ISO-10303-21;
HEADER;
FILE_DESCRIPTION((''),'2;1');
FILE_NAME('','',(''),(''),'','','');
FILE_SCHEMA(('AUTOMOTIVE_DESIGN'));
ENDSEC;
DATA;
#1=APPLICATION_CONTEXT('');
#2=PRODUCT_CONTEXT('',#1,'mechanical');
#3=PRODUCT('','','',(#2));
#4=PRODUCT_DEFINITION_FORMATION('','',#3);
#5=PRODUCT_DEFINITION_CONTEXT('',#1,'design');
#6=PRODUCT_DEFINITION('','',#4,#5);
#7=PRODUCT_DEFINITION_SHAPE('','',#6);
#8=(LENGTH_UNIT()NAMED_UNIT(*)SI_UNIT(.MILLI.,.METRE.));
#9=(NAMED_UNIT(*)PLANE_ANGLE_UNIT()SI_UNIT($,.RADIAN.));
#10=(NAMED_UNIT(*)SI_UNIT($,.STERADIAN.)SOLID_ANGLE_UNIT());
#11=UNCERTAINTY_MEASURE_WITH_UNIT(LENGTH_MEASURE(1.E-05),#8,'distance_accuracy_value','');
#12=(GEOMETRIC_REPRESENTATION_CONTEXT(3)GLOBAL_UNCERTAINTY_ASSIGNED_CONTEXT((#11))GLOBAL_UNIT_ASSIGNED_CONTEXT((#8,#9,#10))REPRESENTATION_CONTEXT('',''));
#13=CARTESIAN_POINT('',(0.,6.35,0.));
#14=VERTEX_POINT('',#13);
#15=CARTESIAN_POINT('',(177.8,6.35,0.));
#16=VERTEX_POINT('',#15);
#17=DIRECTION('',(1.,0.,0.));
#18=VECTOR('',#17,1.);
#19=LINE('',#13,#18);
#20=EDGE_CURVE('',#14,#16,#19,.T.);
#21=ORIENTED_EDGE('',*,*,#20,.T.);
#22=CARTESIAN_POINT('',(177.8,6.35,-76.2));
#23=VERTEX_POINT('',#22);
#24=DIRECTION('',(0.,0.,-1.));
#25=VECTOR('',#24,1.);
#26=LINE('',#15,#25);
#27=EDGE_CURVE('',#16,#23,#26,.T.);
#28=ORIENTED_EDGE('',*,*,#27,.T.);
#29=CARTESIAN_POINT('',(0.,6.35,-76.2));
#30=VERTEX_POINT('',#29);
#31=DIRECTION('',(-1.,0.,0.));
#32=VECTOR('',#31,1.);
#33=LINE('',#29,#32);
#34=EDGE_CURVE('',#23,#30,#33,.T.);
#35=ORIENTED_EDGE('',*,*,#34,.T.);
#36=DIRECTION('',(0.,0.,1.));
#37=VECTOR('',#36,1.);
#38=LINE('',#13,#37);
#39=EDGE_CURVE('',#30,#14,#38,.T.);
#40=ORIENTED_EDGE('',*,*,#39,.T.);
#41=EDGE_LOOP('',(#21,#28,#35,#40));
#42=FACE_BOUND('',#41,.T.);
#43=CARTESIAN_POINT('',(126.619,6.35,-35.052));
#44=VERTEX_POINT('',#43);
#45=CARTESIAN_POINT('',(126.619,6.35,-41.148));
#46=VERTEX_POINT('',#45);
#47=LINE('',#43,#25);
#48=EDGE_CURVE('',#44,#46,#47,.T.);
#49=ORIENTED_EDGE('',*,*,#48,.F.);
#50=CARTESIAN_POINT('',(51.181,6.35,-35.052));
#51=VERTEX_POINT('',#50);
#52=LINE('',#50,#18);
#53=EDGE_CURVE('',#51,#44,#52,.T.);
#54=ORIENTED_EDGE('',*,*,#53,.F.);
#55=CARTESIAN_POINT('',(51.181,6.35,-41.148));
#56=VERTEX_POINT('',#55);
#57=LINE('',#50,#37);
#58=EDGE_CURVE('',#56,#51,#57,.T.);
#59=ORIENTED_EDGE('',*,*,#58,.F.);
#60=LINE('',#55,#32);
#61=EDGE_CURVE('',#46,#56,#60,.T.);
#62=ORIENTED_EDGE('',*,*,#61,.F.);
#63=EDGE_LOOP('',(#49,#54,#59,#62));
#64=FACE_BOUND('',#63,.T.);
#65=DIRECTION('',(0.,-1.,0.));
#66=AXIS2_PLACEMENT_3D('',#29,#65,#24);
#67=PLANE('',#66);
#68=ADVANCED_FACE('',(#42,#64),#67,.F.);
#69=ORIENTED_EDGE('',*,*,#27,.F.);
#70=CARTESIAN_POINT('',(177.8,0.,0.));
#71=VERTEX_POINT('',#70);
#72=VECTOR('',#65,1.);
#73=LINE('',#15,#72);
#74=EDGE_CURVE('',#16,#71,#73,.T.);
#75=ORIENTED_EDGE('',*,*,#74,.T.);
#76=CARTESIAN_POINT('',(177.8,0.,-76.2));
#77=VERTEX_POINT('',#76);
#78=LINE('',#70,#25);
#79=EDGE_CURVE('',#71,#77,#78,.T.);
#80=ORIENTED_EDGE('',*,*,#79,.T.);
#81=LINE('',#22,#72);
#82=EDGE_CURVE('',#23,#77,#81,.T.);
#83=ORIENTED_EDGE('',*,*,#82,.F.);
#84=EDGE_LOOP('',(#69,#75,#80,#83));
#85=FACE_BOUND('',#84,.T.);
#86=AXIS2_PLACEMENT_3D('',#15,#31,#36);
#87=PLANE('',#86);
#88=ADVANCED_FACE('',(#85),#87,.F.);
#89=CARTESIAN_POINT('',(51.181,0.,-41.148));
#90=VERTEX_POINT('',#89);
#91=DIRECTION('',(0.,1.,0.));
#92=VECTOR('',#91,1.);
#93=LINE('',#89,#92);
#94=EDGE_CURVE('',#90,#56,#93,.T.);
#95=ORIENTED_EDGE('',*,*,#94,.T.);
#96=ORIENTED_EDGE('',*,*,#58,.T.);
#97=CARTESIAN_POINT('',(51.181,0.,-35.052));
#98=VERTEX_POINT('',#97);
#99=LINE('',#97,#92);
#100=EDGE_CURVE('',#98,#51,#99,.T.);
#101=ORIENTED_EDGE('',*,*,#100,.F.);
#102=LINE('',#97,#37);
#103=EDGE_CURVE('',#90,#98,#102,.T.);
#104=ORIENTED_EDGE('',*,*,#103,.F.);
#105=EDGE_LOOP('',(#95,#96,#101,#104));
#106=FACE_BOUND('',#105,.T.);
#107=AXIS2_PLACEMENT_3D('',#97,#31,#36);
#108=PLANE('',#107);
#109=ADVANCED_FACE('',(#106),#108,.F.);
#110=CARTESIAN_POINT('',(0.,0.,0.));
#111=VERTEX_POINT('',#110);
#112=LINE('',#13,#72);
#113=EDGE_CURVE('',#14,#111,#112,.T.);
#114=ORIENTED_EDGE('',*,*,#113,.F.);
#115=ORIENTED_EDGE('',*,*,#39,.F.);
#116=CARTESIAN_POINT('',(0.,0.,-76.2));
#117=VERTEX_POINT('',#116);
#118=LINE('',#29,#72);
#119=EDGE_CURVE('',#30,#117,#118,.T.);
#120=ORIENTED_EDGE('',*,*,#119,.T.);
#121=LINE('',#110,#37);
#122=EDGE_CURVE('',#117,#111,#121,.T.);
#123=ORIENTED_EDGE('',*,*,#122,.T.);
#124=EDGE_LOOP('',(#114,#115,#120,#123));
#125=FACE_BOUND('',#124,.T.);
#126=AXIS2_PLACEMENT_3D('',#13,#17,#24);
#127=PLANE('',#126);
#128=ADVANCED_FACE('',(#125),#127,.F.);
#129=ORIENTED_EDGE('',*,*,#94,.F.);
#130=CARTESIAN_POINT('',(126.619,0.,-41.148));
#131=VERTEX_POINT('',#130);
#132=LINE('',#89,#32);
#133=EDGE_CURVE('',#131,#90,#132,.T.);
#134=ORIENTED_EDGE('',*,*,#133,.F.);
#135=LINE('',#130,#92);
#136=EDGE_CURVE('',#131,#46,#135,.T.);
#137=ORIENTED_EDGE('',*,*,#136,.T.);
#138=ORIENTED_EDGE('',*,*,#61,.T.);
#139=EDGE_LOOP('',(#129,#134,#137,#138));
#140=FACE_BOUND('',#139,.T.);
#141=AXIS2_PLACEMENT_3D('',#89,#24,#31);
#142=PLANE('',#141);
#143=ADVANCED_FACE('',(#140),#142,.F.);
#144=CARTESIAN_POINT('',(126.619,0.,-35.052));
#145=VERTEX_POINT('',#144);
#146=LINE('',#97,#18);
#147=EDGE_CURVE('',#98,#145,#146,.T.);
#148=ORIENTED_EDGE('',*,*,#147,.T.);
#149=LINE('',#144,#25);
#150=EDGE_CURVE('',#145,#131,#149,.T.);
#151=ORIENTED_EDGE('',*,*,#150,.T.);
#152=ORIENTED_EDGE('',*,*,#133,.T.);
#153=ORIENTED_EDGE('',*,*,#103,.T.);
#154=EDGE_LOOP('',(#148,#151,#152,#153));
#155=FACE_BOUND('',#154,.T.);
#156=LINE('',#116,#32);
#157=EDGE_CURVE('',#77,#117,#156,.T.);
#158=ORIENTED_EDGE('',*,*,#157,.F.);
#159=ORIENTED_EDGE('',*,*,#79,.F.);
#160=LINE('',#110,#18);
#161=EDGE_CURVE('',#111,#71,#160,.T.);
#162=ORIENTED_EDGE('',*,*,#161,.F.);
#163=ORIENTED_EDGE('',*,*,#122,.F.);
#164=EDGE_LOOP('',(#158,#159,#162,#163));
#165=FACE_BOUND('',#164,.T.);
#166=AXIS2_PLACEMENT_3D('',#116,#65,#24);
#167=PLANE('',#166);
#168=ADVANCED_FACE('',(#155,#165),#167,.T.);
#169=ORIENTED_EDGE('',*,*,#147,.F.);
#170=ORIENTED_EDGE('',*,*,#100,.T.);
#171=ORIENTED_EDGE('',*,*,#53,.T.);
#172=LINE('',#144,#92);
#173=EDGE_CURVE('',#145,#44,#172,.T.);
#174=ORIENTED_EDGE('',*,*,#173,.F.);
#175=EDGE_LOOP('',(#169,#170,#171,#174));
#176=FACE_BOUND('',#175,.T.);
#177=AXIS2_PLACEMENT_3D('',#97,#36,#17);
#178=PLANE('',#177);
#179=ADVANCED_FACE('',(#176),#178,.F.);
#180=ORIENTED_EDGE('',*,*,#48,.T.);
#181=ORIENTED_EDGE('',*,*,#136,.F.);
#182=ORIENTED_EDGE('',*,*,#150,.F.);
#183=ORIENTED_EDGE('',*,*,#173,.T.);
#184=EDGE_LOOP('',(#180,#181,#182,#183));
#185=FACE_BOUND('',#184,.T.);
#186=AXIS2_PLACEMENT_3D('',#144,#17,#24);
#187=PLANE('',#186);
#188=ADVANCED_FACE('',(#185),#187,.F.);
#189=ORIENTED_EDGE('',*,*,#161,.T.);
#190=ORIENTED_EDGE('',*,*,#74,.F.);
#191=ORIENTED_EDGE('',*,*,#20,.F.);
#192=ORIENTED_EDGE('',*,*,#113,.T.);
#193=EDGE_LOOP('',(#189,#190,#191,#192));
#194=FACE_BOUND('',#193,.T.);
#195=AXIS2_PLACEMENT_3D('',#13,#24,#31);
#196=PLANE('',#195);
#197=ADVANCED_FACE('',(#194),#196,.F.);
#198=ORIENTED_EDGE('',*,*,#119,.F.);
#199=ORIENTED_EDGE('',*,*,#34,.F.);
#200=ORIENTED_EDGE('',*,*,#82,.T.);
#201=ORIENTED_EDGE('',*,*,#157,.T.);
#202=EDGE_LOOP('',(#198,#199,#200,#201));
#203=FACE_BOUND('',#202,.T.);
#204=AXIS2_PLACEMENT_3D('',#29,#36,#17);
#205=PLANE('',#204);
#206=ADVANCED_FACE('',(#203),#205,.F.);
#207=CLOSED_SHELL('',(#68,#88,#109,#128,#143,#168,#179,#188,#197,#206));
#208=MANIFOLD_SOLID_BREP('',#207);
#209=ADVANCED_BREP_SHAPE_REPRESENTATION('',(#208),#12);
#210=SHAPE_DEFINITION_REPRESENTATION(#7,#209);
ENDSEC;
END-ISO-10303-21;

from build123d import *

# Parameters (mm, degrees)
SKETCH1_W           = 177.8
SKETCH1_H           = 76.2
BOSS_EXTRUDE1_DEPTH = 6.35
SKETCH2_W           = 75.438
SKETCH2_H           = 6.096
CUT_EXTRUDE1_DEPTH  = 7.35


with BuildPart() as part:
    # Sketch1 → Boss-Extrude1 (new body)
    with BuildSketch(Plane(origin=(0, 0, 0), x_dir=(1, 0, 0), z_dir=(0, 1, 0))):
        with Locations((88.9, 38.1)):
            Rectangle(SKETCH1_W, SKETCH1_H)
    extrude(amount=BOSS_EXTRUDE1_DEPTH)

    # Sketch2 → Cut-Extrude1 (cut, through all)
    with BuildSketch(Plane(origin=(0, 6.35, 0), x_dir=(-1, 0, 0), z_dir=(0, 1, 0))):
        with Locations((-88.9, -38.1)):
            Rectangle(SKETCH2_W, SKETCH2_H)
    extrude(amount=-CUT_EXTRUDE1_DEPTH, mode=Mode.SUBTRACT)


solid = part.part
